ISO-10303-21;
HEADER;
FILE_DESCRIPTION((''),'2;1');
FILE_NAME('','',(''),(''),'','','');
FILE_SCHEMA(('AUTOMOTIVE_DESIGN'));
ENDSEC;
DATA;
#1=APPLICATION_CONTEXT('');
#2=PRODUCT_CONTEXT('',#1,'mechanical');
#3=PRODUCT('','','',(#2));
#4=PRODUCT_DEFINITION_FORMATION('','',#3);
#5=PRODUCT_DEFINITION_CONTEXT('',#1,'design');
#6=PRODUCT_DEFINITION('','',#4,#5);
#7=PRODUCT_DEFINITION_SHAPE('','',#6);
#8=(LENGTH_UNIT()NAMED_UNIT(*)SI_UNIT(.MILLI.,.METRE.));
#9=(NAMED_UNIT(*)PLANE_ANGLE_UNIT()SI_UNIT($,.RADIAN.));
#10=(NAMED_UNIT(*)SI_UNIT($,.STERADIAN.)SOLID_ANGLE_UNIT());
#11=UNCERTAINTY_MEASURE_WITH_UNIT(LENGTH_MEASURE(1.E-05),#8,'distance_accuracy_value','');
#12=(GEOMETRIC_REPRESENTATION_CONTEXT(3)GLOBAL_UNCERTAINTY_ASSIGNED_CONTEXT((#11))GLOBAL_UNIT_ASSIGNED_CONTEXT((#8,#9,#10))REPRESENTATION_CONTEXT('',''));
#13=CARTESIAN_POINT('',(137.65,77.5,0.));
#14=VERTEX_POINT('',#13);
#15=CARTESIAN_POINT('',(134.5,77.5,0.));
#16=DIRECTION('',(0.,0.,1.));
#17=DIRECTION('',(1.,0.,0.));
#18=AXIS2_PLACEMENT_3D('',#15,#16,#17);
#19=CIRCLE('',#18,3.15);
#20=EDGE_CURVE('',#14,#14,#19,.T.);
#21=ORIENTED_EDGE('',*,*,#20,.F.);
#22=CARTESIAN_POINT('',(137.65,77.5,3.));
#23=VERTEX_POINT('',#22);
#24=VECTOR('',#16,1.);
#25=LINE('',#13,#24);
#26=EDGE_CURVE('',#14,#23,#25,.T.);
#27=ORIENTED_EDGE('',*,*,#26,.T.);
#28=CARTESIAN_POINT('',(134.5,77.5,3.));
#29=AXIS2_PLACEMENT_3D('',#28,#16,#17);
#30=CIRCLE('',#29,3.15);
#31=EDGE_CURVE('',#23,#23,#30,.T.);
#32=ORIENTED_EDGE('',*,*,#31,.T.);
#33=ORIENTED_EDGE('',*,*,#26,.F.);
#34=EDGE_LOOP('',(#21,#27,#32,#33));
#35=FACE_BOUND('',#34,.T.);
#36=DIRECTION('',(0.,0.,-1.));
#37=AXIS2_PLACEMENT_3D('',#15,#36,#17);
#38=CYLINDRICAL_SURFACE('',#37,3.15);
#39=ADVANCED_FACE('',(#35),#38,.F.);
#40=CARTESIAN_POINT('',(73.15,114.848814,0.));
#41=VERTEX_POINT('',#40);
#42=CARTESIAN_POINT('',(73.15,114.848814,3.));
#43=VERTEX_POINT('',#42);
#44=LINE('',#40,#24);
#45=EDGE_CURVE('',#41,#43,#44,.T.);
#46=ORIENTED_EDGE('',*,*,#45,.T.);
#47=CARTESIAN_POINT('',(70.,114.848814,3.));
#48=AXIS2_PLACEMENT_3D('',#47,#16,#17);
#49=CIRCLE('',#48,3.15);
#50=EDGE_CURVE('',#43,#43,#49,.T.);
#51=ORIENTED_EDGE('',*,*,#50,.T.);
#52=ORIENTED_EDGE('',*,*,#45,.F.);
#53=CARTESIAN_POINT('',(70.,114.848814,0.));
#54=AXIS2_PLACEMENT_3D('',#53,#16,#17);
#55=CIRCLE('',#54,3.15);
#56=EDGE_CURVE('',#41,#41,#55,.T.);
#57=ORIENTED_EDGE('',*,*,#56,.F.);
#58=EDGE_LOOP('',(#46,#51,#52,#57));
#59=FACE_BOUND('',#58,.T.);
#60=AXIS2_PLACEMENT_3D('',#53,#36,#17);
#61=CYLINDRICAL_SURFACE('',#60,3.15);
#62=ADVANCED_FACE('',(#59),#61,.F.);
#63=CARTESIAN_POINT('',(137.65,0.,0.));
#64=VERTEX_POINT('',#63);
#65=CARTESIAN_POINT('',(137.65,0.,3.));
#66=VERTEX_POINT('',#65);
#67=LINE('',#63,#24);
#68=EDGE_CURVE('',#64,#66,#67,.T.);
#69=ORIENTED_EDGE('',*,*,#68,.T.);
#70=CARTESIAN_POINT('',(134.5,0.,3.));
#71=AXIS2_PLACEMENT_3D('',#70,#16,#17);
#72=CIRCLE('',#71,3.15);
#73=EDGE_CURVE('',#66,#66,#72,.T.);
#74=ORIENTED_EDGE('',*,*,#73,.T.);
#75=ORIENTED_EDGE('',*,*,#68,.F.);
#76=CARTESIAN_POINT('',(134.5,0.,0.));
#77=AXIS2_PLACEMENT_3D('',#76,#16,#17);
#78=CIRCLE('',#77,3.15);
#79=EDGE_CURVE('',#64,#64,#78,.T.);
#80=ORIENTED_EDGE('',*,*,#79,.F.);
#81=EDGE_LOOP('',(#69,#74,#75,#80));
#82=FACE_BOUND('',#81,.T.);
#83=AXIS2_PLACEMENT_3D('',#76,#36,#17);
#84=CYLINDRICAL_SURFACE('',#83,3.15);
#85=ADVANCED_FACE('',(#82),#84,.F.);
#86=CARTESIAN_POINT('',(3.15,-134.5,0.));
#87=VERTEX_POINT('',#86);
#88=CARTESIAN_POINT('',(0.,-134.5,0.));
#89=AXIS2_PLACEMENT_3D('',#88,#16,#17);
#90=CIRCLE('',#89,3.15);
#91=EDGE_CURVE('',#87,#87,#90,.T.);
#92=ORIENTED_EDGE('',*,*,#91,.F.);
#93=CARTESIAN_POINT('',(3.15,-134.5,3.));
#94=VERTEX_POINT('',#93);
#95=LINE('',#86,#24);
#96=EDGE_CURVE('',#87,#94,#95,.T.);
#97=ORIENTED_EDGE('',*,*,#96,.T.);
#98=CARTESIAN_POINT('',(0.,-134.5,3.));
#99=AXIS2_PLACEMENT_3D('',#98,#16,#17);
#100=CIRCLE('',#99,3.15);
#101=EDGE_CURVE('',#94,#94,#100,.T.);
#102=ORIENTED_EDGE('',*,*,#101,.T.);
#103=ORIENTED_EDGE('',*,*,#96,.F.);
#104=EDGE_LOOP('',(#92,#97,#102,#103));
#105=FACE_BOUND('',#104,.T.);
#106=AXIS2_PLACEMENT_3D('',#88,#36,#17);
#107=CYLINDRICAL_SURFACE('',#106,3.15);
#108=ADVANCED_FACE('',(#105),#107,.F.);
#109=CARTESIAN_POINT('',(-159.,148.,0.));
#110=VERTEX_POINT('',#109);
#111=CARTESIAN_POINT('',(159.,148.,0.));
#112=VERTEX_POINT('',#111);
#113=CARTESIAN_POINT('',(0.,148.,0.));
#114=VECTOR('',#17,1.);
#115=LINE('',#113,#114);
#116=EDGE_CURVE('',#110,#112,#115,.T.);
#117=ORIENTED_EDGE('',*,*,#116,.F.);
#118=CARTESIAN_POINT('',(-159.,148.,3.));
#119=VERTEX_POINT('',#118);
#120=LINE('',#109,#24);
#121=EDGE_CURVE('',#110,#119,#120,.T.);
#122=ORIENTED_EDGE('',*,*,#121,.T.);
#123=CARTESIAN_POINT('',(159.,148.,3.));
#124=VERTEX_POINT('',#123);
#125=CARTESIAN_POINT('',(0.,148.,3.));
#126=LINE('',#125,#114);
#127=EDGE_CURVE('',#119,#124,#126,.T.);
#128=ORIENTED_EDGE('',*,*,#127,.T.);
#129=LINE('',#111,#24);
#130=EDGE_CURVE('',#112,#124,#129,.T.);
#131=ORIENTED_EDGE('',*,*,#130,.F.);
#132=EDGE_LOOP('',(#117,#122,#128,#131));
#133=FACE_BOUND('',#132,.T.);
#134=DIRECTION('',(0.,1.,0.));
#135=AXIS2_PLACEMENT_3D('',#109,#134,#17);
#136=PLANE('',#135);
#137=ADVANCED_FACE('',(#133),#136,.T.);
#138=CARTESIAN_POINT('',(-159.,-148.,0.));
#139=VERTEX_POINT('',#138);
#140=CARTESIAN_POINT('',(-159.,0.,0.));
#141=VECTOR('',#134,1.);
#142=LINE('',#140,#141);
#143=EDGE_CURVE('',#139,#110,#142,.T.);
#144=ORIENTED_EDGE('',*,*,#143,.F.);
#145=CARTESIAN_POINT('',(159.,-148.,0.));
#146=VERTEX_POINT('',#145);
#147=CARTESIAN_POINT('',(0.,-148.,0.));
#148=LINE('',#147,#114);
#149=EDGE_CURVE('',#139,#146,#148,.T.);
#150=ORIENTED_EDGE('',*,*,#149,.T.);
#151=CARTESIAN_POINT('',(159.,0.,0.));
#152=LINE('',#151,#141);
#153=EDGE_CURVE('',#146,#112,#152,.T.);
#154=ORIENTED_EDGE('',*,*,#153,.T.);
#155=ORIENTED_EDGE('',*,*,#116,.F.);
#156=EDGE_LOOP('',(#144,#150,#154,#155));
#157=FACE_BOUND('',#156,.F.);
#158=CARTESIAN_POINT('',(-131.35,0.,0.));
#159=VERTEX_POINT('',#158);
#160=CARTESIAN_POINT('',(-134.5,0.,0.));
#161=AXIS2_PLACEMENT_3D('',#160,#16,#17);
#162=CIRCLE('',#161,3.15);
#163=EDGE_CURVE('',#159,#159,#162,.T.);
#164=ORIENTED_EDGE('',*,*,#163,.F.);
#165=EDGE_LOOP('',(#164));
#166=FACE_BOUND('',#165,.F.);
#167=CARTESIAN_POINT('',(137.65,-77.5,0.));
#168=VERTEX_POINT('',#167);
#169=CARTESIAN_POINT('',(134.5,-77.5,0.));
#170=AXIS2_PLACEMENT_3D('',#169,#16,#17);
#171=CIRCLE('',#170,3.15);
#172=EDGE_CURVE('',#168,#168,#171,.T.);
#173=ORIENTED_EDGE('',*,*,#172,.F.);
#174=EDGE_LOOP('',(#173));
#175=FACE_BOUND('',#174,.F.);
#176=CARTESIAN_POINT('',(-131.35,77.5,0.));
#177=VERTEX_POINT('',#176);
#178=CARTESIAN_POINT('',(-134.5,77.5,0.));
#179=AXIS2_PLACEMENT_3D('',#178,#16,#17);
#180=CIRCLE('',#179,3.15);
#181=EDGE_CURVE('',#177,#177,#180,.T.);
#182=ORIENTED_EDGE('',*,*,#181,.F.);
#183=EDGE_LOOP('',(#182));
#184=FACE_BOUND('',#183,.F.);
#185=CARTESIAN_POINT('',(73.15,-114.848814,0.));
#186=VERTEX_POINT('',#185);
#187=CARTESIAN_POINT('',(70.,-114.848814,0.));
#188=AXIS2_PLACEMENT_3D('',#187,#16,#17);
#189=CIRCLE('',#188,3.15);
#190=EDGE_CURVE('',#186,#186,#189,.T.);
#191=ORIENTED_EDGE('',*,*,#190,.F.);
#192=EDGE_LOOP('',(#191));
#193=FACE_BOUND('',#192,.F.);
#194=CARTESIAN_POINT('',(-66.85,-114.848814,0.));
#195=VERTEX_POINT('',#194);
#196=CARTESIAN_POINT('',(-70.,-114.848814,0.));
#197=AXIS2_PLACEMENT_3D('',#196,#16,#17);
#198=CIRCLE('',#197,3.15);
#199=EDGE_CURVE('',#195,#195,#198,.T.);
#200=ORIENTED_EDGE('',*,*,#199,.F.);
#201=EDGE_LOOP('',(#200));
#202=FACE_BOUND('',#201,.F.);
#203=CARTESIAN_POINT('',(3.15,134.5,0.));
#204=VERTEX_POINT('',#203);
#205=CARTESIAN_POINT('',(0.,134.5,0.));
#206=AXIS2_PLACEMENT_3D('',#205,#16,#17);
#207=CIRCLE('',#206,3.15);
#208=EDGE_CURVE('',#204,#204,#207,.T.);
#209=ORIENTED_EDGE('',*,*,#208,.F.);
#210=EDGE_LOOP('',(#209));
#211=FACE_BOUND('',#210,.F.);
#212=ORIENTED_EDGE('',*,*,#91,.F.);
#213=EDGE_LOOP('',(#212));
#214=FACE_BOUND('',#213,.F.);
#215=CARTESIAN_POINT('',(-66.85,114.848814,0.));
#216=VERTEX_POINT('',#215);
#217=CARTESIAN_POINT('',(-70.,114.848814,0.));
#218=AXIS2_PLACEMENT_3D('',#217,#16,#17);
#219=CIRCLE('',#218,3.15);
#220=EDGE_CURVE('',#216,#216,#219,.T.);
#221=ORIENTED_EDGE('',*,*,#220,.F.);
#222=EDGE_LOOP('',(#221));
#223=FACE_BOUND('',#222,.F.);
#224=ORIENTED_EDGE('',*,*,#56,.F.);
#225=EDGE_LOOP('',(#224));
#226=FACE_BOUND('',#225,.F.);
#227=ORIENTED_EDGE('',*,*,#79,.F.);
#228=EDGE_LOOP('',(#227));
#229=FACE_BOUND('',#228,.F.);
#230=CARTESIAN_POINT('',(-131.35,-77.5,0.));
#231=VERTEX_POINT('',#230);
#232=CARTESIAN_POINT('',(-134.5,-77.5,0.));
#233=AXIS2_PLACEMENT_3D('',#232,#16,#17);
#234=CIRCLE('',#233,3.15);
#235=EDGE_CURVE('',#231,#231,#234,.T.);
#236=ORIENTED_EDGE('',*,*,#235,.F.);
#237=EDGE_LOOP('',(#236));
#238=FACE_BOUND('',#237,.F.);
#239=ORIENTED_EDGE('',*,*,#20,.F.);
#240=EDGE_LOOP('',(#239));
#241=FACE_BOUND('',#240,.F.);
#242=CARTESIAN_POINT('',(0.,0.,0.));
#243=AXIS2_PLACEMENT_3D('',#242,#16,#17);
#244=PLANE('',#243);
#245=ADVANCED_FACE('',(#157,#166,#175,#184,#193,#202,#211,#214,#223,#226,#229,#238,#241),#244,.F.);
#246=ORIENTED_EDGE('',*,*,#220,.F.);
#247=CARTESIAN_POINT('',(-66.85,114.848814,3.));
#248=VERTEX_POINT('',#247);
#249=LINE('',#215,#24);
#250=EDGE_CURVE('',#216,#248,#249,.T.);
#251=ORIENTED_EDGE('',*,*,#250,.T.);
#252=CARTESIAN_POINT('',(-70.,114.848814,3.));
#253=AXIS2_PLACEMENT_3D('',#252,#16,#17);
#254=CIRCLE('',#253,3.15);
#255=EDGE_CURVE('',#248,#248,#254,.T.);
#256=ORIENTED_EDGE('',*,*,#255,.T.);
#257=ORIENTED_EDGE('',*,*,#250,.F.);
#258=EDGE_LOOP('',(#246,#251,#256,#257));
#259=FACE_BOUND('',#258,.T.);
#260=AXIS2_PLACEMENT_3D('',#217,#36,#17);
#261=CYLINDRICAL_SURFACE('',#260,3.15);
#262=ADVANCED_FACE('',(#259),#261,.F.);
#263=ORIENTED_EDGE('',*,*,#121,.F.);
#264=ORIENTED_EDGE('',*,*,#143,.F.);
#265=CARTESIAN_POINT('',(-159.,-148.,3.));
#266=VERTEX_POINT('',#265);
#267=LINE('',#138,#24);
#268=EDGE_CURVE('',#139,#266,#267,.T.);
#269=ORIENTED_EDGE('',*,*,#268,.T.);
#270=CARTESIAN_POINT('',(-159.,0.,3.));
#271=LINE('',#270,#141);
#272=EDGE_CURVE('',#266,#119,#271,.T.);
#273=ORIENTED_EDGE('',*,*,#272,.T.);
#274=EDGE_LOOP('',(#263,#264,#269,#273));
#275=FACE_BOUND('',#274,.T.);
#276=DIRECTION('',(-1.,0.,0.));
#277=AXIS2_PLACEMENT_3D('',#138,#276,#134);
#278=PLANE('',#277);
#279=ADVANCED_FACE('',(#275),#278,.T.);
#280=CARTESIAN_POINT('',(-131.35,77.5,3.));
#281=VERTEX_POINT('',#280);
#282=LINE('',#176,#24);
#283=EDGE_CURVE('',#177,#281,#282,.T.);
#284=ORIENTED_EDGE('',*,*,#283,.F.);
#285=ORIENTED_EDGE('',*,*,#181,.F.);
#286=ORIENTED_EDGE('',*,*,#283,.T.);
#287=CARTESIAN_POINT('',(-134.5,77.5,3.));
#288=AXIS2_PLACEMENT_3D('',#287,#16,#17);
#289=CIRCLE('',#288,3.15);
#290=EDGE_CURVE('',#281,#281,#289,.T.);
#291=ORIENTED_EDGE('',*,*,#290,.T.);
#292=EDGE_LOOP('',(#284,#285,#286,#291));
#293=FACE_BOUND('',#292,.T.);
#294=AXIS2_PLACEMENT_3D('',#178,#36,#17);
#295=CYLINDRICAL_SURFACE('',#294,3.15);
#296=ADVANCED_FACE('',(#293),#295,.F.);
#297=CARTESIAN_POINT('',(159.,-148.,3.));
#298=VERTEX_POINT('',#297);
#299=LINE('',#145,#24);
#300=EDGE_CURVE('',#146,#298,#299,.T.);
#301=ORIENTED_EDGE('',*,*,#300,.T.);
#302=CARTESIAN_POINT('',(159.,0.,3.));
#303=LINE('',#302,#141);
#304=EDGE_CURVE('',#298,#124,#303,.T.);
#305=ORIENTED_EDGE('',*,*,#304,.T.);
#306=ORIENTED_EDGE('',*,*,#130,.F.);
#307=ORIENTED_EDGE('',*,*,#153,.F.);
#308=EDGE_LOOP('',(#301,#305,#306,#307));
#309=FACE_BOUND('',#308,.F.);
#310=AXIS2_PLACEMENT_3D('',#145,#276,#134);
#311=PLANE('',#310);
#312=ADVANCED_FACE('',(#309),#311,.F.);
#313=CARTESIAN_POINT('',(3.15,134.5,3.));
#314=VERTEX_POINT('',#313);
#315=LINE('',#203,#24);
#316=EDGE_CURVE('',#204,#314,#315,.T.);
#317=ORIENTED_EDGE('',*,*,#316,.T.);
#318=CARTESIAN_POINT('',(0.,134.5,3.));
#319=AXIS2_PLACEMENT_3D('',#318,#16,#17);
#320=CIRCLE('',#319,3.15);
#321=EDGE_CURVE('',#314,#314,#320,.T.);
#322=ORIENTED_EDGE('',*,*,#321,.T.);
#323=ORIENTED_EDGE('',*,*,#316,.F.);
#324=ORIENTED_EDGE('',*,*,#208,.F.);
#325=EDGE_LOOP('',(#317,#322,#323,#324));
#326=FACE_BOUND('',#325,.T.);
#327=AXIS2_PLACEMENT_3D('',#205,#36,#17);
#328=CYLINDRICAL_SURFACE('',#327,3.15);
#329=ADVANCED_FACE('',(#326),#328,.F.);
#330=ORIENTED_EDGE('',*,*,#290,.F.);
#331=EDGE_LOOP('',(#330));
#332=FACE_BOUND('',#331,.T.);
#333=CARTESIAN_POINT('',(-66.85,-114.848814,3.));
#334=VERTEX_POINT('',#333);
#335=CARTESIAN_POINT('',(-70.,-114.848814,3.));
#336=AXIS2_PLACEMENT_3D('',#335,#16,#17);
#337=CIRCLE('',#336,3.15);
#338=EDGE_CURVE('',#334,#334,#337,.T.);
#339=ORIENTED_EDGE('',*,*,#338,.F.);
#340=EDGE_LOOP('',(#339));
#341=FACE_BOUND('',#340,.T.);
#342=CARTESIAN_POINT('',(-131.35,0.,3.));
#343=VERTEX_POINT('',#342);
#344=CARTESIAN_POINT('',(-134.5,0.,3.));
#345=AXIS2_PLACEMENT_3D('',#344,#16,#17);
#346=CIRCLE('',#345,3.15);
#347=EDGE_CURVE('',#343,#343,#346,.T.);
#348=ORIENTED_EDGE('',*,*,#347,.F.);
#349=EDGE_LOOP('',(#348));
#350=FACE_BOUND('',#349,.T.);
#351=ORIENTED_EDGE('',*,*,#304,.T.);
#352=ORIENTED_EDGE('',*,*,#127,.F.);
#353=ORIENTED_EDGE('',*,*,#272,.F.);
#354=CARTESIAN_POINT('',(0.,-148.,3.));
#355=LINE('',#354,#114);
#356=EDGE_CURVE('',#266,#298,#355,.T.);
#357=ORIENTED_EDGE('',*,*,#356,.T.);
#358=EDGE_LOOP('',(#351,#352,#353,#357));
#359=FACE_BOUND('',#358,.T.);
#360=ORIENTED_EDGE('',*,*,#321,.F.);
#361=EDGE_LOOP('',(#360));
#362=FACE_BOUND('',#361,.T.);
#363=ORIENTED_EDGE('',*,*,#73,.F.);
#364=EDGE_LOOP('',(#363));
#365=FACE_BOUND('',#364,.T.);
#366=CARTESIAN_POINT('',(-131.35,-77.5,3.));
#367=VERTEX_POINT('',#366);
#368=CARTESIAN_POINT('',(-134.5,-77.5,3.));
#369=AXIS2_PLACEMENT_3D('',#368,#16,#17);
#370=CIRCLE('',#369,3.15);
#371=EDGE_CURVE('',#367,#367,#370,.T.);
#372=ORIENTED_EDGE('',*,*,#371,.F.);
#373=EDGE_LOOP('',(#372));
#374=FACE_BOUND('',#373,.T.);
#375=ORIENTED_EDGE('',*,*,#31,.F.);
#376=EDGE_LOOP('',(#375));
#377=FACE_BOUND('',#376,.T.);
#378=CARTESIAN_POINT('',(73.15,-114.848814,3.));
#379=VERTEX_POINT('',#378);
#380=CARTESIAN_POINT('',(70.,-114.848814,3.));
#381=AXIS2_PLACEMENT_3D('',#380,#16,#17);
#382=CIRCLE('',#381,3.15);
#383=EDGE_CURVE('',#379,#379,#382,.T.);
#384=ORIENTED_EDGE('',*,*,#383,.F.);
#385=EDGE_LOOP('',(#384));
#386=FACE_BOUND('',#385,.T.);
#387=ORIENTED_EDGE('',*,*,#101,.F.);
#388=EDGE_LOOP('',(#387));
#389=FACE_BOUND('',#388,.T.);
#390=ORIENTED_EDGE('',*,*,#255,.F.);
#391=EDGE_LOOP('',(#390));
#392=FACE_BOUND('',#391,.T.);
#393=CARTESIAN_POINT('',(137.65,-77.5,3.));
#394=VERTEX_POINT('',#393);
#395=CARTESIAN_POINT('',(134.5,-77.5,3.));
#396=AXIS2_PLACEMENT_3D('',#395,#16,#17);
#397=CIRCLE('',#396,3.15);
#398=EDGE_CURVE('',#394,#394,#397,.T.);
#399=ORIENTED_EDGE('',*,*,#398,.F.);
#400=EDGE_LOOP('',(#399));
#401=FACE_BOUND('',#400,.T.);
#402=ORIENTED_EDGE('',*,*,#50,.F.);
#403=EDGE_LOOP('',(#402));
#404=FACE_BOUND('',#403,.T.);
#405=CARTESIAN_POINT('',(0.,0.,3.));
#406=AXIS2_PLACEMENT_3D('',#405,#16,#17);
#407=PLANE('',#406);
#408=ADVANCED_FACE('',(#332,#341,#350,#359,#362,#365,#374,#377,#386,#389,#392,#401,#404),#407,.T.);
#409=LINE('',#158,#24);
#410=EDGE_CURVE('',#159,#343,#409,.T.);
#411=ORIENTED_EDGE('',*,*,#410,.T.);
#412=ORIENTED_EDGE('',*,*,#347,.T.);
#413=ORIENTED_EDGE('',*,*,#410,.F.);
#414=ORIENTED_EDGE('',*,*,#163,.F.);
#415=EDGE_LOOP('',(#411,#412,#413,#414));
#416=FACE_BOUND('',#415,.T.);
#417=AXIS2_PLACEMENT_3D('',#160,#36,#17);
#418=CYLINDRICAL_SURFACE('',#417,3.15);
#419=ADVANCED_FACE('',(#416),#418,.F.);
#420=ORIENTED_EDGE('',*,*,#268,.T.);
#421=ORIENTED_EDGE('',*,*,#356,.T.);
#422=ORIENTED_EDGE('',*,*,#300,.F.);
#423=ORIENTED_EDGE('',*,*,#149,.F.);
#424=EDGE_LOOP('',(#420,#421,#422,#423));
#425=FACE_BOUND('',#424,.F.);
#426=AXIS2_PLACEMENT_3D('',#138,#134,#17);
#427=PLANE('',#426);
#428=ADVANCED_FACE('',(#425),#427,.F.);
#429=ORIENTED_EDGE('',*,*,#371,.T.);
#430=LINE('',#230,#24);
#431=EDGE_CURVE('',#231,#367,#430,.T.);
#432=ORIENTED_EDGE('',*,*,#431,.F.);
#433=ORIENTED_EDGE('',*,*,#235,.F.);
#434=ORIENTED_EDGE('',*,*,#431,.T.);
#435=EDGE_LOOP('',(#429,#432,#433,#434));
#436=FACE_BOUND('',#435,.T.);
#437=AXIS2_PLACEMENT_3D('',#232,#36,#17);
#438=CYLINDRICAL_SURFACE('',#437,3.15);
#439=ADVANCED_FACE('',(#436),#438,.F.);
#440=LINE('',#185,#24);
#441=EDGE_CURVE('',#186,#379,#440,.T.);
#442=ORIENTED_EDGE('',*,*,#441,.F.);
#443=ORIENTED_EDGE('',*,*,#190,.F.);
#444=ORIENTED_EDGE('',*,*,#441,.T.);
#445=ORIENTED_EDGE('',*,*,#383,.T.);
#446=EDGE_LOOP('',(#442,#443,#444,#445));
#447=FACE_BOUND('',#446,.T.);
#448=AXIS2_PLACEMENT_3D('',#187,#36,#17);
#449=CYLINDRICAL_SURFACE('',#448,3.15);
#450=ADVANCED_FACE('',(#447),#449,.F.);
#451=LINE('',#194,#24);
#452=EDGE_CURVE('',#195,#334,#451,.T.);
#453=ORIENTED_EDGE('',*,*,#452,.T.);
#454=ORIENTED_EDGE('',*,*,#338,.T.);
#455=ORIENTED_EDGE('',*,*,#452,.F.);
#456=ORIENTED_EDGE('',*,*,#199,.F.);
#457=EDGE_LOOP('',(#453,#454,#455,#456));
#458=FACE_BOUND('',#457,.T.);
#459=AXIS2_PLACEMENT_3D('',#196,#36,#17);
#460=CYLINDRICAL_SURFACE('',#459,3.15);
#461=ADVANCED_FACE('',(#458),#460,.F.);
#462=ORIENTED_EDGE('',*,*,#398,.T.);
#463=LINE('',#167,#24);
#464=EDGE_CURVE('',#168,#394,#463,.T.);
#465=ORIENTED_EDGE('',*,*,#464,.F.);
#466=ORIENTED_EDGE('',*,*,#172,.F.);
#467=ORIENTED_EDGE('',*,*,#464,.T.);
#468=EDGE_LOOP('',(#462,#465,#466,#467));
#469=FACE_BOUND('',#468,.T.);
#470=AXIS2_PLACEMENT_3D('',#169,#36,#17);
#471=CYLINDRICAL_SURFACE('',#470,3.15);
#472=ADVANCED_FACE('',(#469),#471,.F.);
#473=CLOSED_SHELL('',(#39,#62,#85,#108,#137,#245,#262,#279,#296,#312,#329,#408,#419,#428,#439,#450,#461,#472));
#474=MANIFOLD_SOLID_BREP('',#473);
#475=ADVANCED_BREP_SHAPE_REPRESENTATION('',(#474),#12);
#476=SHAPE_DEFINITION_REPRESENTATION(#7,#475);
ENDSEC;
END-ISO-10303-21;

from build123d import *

# Parameters (mm, degrees)
F0_W     = 318
F0_H     = 296
F0_R     = 3.15
F1_DEPTH = 3


with BuildPart() as f1:
    # F0 (on Top) → F1 (new body)
    with BuildSketch(Plane.XY):
        Rectangle(F0_W, F0_H)
        with Locations((-134.5, -77.5)):
            Circle(F0_R, mode=Mode.SUBTRACT)
        with Locations((-70, -114.848814)):
            Circle(F0_R, mode=Mode.SUBTRACT)
        with Locations((0, -134.5)):
            Circle(F0_R, mode=Mode.SUBTRACT)
        with Locations((70, -114.848814)):
            Circle(F0_R, mode=Mode.SUBTRACT)
        with Locations((134.5, -77.5)):
            Circle(F0_R, mode=Mode.SUBTRACT)
        with Locations((-134.5, 0)):
            Circle(F0_R, mode=Mode.SUBTRACT)
        with Locations((-134.5, 77.5)):
            Circle(F0_R, mode=Mode.SUBTRACT)
        with Locations((-70, 114.848814)):
            Circle(F0_R, mode=Mode.SUBTRACT)
        with Locations((134.5, 0)):
            Circle(F0_R, mode=Mode.SUBTRACT)
        with Locations((0, 134.5)):
            Circle(F0_R, mode=Mode.SUBTRACT)
        with Locations((70, 114.848814)):
            Circle(F0_R, mode=Mode.SUBTRACT)
        with Locations((134.5, 77.5)):
            Circle(F0_R, mode=Mode.SUBTRACT)
    extrude(amount=F1_DEPTH)


solid = f1.part
